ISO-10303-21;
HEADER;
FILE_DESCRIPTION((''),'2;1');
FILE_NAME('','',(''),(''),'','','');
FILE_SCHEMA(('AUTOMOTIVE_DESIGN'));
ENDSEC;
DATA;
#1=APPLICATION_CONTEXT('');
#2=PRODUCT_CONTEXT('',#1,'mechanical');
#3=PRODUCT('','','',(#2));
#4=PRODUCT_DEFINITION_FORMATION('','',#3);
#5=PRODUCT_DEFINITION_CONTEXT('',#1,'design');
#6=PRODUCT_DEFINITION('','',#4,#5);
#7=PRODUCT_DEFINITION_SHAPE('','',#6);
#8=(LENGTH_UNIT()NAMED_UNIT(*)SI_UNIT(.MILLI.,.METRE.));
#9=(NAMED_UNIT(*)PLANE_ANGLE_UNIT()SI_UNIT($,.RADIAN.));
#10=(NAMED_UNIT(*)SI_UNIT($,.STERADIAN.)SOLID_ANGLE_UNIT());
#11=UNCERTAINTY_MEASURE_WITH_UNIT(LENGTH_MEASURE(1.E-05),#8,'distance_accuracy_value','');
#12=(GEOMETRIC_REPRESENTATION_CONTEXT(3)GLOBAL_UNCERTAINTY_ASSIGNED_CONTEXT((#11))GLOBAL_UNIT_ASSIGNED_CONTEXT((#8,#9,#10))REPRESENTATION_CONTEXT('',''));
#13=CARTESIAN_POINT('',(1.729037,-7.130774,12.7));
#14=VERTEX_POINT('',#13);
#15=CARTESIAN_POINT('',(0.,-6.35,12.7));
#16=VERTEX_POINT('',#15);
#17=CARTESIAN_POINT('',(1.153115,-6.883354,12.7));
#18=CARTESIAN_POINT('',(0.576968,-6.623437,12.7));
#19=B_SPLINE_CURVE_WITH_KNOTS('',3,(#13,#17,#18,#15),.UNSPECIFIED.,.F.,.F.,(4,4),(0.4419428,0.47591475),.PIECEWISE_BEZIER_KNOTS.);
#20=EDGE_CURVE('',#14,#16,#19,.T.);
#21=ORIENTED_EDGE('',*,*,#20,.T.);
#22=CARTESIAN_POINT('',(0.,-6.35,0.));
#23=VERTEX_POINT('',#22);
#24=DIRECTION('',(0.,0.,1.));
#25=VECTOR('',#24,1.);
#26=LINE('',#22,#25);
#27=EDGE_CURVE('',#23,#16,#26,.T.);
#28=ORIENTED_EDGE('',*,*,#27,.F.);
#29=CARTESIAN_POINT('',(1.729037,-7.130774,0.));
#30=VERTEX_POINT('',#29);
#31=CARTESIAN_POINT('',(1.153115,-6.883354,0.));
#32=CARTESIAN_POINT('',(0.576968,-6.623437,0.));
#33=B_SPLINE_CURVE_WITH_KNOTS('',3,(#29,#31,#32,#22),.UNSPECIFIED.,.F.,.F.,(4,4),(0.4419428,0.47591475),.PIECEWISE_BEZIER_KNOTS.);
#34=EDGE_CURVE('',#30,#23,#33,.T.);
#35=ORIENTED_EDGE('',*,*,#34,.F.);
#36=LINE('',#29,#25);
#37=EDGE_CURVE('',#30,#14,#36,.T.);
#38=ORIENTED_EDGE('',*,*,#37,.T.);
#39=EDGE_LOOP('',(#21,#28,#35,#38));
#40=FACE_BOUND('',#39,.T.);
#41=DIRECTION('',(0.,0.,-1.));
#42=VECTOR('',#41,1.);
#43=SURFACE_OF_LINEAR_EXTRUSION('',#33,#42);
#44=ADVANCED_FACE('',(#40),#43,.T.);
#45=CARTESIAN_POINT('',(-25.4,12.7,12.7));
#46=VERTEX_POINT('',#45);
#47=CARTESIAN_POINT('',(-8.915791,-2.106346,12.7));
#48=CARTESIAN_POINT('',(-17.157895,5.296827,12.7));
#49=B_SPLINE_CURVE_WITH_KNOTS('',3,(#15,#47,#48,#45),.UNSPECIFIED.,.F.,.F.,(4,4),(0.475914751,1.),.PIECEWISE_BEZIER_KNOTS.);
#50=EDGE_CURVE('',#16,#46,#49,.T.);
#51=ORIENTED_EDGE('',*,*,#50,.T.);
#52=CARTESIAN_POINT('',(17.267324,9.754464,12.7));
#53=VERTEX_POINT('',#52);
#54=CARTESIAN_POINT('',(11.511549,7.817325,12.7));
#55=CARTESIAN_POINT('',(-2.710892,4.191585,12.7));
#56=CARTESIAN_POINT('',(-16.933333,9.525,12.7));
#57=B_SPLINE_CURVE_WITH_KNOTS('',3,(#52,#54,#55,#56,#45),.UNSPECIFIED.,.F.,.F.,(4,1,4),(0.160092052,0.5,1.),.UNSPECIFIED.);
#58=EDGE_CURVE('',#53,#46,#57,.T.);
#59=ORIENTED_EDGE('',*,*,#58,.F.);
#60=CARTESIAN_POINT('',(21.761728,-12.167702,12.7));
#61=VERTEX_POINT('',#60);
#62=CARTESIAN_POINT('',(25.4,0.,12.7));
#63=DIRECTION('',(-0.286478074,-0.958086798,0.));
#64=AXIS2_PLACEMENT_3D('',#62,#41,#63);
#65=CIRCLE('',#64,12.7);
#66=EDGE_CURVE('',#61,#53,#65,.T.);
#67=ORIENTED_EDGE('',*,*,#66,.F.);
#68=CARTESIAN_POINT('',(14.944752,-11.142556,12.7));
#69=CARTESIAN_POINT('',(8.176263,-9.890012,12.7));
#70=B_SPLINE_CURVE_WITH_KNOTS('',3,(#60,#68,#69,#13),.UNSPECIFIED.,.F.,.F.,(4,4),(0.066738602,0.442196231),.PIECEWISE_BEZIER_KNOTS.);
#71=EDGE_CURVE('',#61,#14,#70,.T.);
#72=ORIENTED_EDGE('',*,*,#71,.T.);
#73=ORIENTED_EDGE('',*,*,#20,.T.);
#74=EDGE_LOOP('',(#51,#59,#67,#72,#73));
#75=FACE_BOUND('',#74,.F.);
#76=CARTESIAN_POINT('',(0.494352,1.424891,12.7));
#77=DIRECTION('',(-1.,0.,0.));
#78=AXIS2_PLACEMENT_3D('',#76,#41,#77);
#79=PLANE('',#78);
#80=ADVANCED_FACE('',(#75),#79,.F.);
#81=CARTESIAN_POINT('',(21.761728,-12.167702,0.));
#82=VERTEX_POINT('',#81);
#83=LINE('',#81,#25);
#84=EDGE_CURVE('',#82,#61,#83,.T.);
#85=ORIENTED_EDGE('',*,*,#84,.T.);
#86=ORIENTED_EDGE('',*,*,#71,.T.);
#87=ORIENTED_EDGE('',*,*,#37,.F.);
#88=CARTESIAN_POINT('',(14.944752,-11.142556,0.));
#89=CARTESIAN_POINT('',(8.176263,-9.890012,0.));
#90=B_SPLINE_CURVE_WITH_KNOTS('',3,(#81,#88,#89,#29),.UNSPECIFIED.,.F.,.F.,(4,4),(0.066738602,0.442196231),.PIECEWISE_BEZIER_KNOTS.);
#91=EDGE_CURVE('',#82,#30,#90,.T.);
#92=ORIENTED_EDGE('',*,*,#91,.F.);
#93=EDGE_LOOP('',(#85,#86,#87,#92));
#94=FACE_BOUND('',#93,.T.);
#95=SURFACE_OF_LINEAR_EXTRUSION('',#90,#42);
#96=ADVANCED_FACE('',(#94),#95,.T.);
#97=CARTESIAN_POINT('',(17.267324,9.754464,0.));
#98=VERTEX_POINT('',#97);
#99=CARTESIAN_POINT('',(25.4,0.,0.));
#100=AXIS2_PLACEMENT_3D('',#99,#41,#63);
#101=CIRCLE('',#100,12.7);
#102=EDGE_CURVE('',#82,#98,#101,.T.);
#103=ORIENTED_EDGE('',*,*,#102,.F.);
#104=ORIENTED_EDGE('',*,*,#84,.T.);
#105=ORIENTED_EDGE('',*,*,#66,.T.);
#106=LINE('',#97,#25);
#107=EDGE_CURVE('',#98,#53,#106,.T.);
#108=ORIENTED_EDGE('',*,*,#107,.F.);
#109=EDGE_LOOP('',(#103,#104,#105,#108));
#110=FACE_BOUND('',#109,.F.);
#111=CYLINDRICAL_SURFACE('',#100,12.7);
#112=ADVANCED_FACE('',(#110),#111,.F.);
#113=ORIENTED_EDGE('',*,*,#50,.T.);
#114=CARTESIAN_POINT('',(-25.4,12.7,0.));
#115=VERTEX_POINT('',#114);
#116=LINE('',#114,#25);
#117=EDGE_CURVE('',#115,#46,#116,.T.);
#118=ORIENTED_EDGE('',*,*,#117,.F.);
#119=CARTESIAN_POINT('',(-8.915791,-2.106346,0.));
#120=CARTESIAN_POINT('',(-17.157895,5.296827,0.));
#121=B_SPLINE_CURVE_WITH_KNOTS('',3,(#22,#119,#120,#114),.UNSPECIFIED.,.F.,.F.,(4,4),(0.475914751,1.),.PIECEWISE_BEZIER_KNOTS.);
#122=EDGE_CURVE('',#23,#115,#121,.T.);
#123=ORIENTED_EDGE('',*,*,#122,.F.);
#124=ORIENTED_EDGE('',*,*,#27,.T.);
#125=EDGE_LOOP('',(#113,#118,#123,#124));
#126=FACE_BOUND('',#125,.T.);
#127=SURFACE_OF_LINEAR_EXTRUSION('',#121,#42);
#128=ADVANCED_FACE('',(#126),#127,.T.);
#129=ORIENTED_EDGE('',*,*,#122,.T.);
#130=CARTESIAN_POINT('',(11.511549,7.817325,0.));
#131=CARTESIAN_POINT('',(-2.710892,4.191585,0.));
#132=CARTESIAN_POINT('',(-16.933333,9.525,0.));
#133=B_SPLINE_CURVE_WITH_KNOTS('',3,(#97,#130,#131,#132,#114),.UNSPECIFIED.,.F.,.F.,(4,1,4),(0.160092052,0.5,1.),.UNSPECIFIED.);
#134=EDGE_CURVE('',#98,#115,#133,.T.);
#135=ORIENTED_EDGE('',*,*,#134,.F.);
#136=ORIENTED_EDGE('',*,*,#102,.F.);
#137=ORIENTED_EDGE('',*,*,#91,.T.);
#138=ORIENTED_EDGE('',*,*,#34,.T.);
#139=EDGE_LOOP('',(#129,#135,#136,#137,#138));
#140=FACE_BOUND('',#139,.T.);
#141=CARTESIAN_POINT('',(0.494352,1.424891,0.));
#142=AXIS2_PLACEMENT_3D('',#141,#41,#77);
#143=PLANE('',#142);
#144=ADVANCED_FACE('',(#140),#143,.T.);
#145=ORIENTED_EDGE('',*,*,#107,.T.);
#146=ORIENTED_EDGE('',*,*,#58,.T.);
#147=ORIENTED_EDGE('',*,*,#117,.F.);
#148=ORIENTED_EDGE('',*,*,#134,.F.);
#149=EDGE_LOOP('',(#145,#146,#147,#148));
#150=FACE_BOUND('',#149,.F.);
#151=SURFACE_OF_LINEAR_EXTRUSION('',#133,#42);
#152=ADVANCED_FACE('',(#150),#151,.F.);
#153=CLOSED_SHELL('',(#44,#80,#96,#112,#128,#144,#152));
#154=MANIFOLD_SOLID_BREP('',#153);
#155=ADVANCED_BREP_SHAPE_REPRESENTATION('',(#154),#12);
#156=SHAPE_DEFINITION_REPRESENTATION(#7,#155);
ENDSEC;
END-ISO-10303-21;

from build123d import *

# Parameters (mm, degrees)
F1_DEPTH = 12.7


with BuildPart() as f1:
    # F0 (on Top) → F1 (new body)
    with BuildSketch(Plane.XY):
        with BuildLine():
            add(Edge.make_bspline(
                [(1.7290367633, -7.1307740728), (1.1531152208, -6.8833535208), (0.5769678307, -6.6234372579), (0, -6.35)],
                knots=[0.4419427997, 0.4419427997, 0.4419427997, 0.4419427997, 0.47591475, 0.47591475, 0.47591475, 0.47591475], degree=3))
            add(Edge.make_bspline(
                [(21.7617284643, -12.1677023399), (14.9447521622, -11.1425562498), (8.1762626666, -9.8900119639), (1.7290367633, -7.1307740728)],
                knots=[0.0667386023, 0.0667386023, 0.0667386023, 0.0667386023, 0.4421962315, 0.4421962315, 0.4421962315, 0.4421962315], degree=3))
            ThreePointArc((21.7617284643, -12.1677023399), (12.9587720709, -2.5506563108), (17.2673237739, 9.7544644856))
            add(Edge.make_bspline(
                [(17.2673237739, 9.7544644856), (11.5115491826, 7.8173251492), (-2.7108920754, 4.1915845283), (-16.9333333333, 9.525), (-25.4, 12.7)],
                knots=[0.1600920517, 0.1600920517, 0.1600920517, 0.1600920517, 0.5, 1, 1, 1, 1], degree=3))
            add(Edge.make_bspline(
                [(-5.7e-08, -6.3499999729), (-8.91579083, -2.1063464946), (-17.157895415, 5.2968267527), (-25.4, 12.7)],
                knots=[0.4759147512, 0.4759147512, 0.4759147512, 0.4759147512, 1, 1, 1, 1], degree=3))
        make_face()
    extrude(amount=F1_DEPTH)


solid = f1.part
